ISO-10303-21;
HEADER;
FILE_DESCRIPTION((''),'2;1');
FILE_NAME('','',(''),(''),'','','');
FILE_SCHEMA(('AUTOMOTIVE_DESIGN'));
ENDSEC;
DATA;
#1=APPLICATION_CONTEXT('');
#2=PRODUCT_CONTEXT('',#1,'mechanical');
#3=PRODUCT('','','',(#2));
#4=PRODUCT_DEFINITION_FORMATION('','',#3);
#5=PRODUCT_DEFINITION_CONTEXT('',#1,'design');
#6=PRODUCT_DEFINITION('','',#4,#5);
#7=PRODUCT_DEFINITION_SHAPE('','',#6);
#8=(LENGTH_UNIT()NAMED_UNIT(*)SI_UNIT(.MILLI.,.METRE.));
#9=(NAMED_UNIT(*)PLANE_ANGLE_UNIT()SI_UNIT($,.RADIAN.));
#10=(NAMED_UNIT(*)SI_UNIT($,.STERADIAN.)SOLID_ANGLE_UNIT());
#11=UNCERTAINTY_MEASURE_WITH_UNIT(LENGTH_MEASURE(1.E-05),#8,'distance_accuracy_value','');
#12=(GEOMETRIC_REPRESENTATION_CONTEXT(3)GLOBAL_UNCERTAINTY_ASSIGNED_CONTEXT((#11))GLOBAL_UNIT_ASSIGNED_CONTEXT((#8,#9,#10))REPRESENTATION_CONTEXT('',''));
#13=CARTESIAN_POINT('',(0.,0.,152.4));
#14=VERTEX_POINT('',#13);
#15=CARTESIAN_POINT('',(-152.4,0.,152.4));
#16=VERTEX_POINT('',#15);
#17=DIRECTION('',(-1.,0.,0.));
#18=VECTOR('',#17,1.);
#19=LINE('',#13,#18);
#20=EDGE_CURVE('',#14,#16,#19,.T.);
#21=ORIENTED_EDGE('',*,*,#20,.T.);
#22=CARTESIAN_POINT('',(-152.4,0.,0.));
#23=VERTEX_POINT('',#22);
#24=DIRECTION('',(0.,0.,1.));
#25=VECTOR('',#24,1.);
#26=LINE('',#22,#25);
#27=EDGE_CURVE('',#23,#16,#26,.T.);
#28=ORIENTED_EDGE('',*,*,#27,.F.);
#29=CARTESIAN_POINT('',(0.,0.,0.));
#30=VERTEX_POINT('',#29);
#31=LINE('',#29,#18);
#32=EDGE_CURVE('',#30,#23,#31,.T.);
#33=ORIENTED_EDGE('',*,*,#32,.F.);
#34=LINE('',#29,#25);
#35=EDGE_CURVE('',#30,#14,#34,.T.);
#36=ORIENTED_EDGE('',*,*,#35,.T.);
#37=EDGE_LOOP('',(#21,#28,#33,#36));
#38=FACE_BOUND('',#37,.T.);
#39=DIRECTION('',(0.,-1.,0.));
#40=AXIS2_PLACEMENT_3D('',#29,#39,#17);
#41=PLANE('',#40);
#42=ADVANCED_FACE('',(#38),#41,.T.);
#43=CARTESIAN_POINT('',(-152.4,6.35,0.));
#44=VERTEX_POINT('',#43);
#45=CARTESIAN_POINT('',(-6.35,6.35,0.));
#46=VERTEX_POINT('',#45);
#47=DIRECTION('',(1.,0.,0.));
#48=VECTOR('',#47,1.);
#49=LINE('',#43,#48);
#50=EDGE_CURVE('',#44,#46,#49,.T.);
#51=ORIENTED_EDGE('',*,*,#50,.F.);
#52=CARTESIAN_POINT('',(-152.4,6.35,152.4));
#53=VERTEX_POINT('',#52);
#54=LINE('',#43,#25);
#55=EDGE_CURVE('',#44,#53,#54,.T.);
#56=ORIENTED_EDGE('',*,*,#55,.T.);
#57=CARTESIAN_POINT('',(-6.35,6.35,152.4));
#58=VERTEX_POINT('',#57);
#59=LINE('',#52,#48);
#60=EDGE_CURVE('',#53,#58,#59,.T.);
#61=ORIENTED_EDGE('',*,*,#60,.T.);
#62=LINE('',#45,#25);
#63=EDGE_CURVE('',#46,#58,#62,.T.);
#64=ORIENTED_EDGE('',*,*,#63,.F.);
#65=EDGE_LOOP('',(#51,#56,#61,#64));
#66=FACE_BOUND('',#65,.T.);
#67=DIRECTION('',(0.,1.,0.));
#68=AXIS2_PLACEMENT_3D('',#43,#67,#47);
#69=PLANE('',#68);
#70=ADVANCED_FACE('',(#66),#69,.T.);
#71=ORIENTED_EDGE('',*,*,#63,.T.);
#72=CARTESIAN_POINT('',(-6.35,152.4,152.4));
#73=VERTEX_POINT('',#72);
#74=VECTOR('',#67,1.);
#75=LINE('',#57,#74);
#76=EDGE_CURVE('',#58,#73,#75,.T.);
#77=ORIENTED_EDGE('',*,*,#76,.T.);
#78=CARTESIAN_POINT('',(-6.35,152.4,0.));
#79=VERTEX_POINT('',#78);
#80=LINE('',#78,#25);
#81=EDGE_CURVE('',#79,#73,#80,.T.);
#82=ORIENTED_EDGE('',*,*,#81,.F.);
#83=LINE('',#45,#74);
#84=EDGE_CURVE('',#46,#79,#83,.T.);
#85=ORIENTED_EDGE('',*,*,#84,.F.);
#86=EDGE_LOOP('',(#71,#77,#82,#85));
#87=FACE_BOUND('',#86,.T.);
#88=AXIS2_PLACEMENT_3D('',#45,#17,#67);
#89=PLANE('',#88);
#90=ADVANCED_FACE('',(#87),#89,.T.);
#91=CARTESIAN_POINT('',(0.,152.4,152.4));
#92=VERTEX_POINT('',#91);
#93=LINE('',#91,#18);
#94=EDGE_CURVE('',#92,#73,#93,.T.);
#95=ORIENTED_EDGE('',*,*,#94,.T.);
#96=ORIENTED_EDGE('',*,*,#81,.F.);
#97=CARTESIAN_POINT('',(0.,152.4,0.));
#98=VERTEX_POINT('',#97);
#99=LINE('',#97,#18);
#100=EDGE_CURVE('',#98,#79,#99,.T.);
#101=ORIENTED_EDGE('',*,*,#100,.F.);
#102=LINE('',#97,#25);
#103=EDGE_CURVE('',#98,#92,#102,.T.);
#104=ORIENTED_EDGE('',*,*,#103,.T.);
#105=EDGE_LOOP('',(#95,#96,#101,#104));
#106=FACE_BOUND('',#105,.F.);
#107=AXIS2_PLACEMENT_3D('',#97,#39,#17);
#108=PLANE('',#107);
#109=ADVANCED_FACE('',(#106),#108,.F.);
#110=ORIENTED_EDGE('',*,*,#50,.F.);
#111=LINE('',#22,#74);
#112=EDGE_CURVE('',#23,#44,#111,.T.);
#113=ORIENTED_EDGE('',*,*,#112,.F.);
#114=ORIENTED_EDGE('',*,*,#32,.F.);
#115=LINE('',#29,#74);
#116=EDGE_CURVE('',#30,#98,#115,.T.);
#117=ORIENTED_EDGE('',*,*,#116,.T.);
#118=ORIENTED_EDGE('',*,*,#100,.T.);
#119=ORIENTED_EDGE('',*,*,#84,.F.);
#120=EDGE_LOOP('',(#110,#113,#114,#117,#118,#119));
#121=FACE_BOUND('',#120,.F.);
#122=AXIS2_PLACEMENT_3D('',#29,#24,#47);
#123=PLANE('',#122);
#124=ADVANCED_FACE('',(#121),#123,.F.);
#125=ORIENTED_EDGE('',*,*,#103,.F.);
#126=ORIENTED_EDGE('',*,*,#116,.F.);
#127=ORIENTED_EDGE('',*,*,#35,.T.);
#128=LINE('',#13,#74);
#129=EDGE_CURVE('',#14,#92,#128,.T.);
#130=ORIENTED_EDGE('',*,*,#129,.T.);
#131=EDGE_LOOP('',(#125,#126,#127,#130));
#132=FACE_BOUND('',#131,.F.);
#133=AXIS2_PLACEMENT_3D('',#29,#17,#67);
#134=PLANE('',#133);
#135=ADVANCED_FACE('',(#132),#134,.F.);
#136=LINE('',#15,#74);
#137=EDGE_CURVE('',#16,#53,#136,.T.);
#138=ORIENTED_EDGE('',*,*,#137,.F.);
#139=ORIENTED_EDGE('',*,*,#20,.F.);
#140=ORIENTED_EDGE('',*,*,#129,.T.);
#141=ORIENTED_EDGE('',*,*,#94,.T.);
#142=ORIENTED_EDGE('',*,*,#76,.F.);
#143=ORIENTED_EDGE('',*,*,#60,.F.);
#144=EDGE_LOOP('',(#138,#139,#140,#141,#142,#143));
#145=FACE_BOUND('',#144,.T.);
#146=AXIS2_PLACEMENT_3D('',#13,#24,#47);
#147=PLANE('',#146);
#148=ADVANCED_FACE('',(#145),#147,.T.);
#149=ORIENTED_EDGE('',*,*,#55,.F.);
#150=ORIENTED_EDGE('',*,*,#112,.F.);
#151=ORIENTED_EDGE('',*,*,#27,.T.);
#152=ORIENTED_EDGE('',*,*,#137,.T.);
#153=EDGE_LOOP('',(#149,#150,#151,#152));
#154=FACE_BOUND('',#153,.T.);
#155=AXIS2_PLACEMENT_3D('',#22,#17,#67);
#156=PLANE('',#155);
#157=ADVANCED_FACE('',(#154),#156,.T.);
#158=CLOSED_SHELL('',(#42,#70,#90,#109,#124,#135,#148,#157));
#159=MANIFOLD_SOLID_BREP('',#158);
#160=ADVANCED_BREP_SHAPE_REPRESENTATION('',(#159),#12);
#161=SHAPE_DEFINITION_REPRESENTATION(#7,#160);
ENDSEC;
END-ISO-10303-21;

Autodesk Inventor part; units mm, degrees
ref_plane "YZ Plane" through (0, 0, 0) normal (1, 0, 0) x (0, 1, 0)
ref_plane "XZ Plane" through (0, 0, 0) normal (0, 1, 0) x (-1, 0, 0)
ref_plane "XY Plane" through (0, 0, 0) normal (0, 0, 1) x (1, 0, 0)
sketch "Sketch1" plane through (0, 0, 0) normal (0, 0, 1) x (1, 0, 0)
  line L0 (0, 0) -> (-152.4, 0)
  line L1 (0, 0) -> (0, 152.4)
  line L2 (0, 152.4) -> (-6.35, 152.4)
  line L3 (-152.4, 0) -> (-152.4, 6.35)
  line L4 (-152.4, 6.35) -> (-6.35, 6.35)
  line L5 (-6.35, 6.35) -> (-6.35, 152.4)
  dimension "d0" = 152.4
  dimension "d1" = 152.4
  dimension "d2" = 6.35
  dimension "d3" = 6.35
extrude "Extrusion1" add sketch "Sketch1" along normal blind 152.4
properties part number "lifterMount"
